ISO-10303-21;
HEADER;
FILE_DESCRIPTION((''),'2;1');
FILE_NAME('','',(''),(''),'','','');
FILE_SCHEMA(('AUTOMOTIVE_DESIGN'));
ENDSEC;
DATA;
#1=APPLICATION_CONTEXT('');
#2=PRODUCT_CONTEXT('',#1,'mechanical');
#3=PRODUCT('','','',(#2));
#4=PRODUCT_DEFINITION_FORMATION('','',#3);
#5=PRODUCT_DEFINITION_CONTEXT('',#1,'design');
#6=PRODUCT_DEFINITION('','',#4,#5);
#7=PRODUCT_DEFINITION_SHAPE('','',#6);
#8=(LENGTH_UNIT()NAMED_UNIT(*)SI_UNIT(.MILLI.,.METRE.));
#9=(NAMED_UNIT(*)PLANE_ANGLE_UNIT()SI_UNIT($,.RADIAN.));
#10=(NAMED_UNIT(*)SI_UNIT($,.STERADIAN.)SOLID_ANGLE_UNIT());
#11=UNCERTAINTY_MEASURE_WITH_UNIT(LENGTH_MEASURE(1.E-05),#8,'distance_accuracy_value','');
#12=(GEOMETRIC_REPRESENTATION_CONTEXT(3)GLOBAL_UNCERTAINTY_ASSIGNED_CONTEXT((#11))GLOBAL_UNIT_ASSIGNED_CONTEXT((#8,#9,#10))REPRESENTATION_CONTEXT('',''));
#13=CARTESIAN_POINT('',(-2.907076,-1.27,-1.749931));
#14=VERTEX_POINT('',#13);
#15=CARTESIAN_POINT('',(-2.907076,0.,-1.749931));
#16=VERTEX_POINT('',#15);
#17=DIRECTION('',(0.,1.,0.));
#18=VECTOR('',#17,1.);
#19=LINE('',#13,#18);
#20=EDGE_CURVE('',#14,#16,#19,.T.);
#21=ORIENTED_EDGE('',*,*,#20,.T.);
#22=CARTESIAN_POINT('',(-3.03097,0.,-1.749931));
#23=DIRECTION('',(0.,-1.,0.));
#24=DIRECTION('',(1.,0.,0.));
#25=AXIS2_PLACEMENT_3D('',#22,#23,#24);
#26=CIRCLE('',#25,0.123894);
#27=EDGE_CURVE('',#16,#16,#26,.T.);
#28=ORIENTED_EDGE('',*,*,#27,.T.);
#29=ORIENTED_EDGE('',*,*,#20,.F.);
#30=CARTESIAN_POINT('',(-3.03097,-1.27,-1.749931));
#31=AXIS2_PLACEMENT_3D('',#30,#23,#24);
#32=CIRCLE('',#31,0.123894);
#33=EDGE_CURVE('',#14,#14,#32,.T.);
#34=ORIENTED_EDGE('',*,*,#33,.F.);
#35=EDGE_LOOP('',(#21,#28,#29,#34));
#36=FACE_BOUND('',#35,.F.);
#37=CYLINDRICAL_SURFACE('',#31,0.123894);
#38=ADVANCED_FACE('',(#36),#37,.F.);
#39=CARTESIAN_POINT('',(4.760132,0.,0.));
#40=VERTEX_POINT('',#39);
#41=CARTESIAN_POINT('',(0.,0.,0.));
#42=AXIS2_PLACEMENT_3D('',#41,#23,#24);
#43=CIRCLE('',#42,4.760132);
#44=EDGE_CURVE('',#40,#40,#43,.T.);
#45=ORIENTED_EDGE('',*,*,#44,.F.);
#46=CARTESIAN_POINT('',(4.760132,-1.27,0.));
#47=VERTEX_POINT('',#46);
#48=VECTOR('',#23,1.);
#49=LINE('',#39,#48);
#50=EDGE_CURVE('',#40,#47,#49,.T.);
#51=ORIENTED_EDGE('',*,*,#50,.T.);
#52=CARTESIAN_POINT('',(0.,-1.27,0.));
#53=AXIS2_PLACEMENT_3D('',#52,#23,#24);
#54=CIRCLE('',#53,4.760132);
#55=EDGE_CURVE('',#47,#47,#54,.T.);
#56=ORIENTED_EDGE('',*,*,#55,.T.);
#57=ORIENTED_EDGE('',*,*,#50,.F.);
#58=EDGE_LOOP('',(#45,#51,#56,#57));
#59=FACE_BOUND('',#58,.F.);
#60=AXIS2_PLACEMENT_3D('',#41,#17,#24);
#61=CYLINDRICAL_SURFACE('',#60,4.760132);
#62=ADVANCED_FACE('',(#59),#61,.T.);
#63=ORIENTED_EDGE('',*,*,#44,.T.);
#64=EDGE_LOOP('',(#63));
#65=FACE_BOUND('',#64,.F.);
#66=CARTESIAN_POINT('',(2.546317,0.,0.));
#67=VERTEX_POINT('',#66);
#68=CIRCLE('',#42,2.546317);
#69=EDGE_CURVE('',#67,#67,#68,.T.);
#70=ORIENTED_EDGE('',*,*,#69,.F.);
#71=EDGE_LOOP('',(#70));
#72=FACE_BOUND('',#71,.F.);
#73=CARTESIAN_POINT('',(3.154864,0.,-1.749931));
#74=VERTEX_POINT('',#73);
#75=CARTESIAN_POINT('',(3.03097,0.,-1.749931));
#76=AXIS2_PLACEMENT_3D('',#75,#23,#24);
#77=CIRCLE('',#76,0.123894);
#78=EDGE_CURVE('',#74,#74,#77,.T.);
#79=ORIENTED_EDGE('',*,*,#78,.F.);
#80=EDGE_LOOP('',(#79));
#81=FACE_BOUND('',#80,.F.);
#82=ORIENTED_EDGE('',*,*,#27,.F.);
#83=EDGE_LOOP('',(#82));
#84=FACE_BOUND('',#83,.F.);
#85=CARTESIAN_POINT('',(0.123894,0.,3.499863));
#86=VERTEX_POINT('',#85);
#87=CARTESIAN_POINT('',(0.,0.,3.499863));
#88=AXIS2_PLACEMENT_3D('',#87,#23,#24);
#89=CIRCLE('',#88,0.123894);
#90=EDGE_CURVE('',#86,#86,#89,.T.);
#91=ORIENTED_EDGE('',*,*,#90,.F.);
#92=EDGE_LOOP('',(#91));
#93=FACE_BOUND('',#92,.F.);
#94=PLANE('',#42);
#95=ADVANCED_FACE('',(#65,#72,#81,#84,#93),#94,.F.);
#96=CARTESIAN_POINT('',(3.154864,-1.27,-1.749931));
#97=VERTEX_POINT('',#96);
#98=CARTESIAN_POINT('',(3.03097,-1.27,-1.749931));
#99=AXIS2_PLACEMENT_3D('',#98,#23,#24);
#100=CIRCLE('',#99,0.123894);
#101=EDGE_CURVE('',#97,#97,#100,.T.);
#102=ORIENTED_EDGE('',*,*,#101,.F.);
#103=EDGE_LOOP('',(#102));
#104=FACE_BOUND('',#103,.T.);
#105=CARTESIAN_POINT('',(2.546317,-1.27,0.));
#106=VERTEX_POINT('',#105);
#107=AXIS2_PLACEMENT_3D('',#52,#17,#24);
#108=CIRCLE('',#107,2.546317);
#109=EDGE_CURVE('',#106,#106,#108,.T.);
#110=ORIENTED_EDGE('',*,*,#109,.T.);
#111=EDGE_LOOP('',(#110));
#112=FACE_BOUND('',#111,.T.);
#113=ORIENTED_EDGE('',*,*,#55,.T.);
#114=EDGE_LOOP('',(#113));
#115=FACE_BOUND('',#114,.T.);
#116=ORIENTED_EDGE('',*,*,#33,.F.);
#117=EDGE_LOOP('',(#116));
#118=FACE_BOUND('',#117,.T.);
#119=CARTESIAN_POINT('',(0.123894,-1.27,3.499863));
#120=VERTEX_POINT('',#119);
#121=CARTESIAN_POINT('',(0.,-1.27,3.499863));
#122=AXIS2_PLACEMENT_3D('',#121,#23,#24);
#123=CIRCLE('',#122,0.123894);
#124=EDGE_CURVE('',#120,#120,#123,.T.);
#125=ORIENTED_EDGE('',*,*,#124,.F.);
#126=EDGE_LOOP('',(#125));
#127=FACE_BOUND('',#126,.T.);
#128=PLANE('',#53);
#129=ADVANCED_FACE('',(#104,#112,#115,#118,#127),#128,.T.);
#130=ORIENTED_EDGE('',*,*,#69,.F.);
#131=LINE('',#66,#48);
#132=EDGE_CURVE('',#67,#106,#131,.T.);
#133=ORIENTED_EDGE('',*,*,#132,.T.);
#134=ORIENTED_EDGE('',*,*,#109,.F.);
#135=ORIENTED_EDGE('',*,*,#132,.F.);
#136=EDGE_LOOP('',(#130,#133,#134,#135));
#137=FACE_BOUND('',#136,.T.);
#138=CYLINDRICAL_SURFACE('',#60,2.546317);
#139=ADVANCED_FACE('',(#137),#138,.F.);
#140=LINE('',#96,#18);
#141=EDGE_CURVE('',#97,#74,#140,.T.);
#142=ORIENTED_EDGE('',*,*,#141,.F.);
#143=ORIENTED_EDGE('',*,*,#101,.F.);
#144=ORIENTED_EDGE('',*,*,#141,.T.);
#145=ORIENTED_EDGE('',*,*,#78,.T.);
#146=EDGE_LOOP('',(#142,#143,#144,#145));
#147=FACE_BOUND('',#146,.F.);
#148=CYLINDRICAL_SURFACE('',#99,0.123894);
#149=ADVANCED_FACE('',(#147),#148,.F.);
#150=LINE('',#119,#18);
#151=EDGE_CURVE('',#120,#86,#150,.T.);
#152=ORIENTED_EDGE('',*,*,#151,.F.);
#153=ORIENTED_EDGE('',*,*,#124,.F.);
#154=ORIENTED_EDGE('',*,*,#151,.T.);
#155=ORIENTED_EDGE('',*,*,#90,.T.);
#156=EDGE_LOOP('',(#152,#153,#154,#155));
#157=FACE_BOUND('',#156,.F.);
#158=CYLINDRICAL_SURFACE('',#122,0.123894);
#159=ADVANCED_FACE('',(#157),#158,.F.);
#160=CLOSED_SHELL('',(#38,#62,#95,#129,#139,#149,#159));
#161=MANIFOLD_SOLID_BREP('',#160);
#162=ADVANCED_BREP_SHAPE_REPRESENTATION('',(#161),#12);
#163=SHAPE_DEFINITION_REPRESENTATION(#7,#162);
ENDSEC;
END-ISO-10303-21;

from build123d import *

# Parameters (mm, degrees)
F0_R     = 4.760132
F2_DEPTH = 1.27
F1_R     = 2.546317
F3_DEPTH = 12.7
F4_R     = 0.123894
F5_DEPTH = 25.4


with BuildPart() as f2:
    # F0 (on Front) → F2 (new body)
    with BuildSketch(Plane.XZ):
        Circle(F0_R)
    extrude(amount=F2_DEPTH)

    # F1 (on face) → F3 (cut)
    with BuildSketch(Plane.XZ):
        Circle(F1_R)
    extrude(amount=F3_DEPTH, mode=Mode.SUBTRACT)

    # F4 (on face) → F5 (cut)
    with BuildSketch(Plane.XZ.offset(1.27)):
        with Locations((0, 3.499863)):
            Circle(F4_R)
        with Locations((-3.03097, -1.749931)):
            Circle(F4_R)
        with Locations((3.03097, -1.749931)):
            Circle(F4_R)
    extrude(amount=-F5_DEPTH, mode=Mode.SUBTRACT)


solid = f2.part
